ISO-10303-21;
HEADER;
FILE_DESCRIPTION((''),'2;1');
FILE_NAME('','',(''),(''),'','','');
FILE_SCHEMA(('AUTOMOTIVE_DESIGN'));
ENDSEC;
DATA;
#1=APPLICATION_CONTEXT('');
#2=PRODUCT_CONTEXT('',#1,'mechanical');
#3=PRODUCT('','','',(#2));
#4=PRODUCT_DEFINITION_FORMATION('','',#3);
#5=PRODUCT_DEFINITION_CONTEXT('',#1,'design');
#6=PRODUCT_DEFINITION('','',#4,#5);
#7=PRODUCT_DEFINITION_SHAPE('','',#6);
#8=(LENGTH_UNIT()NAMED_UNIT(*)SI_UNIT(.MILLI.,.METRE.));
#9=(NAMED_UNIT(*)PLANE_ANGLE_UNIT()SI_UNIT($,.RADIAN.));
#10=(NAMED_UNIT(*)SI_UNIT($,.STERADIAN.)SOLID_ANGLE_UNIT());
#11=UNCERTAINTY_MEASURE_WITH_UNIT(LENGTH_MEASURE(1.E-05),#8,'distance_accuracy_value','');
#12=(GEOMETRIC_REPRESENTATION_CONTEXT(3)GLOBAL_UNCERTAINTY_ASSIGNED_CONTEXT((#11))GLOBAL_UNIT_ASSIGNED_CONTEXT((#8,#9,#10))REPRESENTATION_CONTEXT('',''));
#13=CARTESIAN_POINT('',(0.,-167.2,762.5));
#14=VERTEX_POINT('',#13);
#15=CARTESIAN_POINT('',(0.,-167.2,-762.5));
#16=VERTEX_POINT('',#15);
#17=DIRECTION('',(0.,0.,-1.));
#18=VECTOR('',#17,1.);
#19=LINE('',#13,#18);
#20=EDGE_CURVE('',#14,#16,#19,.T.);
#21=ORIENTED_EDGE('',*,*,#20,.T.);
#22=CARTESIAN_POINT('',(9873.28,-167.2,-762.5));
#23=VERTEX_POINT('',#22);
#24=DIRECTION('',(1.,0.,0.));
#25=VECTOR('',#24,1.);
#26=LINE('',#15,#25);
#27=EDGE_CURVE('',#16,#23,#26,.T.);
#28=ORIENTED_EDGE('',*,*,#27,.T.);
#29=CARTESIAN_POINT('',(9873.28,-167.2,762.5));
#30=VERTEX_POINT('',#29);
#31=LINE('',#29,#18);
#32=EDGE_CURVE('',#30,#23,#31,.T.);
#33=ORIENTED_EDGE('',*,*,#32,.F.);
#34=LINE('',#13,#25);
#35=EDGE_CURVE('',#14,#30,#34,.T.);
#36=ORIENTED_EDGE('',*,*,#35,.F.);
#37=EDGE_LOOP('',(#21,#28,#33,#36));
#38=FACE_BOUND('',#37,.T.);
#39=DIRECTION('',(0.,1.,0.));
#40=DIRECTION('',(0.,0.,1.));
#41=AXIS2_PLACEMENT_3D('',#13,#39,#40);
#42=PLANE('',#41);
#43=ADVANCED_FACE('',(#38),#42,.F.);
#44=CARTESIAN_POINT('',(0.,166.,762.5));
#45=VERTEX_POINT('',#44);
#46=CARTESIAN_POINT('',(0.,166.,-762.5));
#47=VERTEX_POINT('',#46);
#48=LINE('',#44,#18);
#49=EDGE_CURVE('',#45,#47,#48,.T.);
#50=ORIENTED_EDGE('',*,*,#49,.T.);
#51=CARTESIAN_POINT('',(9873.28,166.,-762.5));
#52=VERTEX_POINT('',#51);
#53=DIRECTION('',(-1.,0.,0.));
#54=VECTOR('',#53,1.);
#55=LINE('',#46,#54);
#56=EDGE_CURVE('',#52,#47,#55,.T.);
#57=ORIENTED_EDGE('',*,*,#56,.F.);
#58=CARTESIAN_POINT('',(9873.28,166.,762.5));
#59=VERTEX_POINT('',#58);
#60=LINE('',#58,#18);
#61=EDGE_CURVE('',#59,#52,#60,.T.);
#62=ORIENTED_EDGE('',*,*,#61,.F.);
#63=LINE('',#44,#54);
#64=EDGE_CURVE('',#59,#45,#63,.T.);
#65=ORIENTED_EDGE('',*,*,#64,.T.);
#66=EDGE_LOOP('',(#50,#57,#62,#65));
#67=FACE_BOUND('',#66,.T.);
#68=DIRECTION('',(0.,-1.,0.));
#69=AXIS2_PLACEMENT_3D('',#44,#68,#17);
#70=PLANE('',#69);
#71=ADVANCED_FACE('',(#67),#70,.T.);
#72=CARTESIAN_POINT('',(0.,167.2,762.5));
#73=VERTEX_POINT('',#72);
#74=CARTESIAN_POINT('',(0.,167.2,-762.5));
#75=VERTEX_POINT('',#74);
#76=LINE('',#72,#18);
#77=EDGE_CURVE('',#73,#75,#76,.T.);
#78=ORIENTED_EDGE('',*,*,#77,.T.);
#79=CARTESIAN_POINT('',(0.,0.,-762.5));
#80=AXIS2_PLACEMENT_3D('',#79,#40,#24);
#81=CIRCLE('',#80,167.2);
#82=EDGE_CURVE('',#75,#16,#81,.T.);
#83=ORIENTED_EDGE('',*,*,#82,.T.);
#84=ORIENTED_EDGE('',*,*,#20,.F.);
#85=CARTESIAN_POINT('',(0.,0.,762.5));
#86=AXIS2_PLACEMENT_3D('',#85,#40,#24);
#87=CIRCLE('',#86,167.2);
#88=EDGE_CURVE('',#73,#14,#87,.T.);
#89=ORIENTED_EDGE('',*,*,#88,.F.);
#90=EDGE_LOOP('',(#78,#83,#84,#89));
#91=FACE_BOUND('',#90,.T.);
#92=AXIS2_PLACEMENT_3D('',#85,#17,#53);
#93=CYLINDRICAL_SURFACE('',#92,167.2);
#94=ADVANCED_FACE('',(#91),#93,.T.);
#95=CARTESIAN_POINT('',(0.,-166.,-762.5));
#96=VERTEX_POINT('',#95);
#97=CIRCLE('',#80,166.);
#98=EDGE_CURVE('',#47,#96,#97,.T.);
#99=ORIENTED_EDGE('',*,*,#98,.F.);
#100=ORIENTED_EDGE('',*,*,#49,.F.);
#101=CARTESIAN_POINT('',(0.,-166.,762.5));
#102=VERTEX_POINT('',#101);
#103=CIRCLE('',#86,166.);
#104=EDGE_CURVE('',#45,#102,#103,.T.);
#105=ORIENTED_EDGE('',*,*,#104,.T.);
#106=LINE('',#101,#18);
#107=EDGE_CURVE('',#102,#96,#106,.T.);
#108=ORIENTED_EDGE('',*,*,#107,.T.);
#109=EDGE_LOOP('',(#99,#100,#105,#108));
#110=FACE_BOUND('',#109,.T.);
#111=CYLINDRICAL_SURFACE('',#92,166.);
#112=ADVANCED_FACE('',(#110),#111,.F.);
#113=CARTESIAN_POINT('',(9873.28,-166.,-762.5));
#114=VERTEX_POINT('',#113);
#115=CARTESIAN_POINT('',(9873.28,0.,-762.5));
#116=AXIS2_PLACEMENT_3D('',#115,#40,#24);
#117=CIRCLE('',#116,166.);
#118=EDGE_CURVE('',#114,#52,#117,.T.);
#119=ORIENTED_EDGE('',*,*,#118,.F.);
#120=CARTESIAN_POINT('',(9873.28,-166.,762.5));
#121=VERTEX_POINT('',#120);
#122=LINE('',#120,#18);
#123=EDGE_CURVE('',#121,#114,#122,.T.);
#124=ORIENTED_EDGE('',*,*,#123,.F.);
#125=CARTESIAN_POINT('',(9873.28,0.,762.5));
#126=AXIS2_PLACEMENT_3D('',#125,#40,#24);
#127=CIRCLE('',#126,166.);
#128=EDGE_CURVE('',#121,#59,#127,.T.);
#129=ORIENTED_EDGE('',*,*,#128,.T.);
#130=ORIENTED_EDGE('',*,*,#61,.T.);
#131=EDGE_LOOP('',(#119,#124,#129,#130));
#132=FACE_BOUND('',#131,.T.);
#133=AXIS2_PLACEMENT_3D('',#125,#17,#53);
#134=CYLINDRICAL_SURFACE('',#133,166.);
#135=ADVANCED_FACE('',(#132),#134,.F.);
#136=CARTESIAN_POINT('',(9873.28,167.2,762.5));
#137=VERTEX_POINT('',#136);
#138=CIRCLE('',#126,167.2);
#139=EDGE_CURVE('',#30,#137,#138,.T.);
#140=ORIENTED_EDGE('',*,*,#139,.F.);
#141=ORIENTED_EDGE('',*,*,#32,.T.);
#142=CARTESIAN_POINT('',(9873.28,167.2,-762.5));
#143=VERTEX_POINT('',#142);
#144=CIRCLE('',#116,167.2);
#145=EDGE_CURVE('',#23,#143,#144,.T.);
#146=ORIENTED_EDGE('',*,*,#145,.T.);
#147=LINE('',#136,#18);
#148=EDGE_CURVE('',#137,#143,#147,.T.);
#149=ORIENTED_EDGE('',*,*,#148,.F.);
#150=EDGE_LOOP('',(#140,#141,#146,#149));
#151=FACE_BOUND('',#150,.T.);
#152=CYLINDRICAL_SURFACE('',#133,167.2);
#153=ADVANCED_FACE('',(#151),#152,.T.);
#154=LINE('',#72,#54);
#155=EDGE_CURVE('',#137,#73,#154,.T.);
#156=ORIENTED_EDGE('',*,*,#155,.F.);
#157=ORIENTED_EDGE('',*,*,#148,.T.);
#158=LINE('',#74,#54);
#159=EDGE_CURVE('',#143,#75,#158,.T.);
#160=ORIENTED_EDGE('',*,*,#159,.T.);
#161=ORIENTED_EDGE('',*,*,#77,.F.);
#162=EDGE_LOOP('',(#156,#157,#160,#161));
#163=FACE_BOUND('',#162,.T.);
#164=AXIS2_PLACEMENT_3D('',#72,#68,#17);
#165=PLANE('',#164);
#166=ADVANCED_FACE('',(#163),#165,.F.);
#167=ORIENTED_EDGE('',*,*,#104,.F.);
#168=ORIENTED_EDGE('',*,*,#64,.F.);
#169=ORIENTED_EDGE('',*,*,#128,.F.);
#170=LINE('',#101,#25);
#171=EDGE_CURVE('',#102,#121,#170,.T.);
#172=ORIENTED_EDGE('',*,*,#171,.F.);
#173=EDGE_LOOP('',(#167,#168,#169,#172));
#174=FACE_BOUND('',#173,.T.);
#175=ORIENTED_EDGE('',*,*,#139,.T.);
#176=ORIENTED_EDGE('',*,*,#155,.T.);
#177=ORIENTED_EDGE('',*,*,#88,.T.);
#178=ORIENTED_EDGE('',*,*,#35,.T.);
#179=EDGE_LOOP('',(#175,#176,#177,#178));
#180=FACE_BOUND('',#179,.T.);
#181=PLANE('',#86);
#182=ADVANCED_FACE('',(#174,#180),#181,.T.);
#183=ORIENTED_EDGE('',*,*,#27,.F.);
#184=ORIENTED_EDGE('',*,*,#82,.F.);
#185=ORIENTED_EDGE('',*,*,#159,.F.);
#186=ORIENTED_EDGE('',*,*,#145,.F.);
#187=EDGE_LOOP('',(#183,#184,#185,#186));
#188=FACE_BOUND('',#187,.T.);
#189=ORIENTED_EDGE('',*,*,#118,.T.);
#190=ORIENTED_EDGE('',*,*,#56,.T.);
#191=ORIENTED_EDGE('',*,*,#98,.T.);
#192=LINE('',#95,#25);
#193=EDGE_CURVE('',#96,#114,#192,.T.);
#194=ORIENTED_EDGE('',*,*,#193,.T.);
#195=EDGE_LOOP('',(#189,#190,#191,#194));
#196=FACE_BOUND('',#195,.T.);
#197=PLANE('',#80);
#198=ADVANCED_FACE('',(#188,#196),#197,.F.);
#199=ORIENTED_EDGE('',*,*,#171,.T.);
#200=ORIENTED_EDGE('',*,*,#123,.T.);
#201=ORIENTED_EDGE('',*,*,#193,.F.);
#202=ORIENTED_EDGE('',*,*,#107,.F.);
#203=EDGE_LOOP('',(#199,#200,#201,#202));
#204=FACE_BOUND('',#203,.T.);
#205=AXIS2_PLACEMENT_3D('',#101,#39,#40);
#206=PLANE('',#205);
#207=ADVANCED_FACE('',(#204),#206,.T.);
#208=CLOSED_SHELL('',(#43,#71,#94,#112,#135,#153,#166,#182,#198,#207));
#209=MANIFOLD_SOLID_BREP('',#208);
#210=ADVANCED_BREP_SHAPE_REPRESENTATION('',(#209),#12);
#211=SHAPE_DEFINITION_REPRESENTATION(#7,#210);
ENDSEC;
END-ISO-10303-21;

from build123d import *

# Parameters (mm, degrees)
BOSS_EXTRUDE1_DEPTH = 762.5


with BuildPart() as part:
    # Sketch1 → Boss-Extrude1 (new, symmetric)
    with BuildSketch(Plane.XY):
        with BuildLine():
            Line((0, -167.2), (9873.28, -167.2))
            ThreePointArc((9873.28, -167.2), (10040.48, 0), (9873.28, 167.2))
            Line((9873.28, 167.2), (0, 167.2))
            ThreePointArc((0, 167.2), (-167.2, 0), (0, -167.2))
        make_face()
        with BuildLine():
            Line((0, 166), (9873.28, 166))
            ThreePointArc((9873.28, 166), (10039.28, 0), (9873.28, -166))
            Line((9873.28, -166), (0, -166))
            ThreePointArc((0, -166), (-166, 0), (0, 166))
        make_face(mode=Mode.SUBTRACT)
    extrude(amount=BOSS_EXTRUDE1_DEPTH, both=True)


solid = part.part
